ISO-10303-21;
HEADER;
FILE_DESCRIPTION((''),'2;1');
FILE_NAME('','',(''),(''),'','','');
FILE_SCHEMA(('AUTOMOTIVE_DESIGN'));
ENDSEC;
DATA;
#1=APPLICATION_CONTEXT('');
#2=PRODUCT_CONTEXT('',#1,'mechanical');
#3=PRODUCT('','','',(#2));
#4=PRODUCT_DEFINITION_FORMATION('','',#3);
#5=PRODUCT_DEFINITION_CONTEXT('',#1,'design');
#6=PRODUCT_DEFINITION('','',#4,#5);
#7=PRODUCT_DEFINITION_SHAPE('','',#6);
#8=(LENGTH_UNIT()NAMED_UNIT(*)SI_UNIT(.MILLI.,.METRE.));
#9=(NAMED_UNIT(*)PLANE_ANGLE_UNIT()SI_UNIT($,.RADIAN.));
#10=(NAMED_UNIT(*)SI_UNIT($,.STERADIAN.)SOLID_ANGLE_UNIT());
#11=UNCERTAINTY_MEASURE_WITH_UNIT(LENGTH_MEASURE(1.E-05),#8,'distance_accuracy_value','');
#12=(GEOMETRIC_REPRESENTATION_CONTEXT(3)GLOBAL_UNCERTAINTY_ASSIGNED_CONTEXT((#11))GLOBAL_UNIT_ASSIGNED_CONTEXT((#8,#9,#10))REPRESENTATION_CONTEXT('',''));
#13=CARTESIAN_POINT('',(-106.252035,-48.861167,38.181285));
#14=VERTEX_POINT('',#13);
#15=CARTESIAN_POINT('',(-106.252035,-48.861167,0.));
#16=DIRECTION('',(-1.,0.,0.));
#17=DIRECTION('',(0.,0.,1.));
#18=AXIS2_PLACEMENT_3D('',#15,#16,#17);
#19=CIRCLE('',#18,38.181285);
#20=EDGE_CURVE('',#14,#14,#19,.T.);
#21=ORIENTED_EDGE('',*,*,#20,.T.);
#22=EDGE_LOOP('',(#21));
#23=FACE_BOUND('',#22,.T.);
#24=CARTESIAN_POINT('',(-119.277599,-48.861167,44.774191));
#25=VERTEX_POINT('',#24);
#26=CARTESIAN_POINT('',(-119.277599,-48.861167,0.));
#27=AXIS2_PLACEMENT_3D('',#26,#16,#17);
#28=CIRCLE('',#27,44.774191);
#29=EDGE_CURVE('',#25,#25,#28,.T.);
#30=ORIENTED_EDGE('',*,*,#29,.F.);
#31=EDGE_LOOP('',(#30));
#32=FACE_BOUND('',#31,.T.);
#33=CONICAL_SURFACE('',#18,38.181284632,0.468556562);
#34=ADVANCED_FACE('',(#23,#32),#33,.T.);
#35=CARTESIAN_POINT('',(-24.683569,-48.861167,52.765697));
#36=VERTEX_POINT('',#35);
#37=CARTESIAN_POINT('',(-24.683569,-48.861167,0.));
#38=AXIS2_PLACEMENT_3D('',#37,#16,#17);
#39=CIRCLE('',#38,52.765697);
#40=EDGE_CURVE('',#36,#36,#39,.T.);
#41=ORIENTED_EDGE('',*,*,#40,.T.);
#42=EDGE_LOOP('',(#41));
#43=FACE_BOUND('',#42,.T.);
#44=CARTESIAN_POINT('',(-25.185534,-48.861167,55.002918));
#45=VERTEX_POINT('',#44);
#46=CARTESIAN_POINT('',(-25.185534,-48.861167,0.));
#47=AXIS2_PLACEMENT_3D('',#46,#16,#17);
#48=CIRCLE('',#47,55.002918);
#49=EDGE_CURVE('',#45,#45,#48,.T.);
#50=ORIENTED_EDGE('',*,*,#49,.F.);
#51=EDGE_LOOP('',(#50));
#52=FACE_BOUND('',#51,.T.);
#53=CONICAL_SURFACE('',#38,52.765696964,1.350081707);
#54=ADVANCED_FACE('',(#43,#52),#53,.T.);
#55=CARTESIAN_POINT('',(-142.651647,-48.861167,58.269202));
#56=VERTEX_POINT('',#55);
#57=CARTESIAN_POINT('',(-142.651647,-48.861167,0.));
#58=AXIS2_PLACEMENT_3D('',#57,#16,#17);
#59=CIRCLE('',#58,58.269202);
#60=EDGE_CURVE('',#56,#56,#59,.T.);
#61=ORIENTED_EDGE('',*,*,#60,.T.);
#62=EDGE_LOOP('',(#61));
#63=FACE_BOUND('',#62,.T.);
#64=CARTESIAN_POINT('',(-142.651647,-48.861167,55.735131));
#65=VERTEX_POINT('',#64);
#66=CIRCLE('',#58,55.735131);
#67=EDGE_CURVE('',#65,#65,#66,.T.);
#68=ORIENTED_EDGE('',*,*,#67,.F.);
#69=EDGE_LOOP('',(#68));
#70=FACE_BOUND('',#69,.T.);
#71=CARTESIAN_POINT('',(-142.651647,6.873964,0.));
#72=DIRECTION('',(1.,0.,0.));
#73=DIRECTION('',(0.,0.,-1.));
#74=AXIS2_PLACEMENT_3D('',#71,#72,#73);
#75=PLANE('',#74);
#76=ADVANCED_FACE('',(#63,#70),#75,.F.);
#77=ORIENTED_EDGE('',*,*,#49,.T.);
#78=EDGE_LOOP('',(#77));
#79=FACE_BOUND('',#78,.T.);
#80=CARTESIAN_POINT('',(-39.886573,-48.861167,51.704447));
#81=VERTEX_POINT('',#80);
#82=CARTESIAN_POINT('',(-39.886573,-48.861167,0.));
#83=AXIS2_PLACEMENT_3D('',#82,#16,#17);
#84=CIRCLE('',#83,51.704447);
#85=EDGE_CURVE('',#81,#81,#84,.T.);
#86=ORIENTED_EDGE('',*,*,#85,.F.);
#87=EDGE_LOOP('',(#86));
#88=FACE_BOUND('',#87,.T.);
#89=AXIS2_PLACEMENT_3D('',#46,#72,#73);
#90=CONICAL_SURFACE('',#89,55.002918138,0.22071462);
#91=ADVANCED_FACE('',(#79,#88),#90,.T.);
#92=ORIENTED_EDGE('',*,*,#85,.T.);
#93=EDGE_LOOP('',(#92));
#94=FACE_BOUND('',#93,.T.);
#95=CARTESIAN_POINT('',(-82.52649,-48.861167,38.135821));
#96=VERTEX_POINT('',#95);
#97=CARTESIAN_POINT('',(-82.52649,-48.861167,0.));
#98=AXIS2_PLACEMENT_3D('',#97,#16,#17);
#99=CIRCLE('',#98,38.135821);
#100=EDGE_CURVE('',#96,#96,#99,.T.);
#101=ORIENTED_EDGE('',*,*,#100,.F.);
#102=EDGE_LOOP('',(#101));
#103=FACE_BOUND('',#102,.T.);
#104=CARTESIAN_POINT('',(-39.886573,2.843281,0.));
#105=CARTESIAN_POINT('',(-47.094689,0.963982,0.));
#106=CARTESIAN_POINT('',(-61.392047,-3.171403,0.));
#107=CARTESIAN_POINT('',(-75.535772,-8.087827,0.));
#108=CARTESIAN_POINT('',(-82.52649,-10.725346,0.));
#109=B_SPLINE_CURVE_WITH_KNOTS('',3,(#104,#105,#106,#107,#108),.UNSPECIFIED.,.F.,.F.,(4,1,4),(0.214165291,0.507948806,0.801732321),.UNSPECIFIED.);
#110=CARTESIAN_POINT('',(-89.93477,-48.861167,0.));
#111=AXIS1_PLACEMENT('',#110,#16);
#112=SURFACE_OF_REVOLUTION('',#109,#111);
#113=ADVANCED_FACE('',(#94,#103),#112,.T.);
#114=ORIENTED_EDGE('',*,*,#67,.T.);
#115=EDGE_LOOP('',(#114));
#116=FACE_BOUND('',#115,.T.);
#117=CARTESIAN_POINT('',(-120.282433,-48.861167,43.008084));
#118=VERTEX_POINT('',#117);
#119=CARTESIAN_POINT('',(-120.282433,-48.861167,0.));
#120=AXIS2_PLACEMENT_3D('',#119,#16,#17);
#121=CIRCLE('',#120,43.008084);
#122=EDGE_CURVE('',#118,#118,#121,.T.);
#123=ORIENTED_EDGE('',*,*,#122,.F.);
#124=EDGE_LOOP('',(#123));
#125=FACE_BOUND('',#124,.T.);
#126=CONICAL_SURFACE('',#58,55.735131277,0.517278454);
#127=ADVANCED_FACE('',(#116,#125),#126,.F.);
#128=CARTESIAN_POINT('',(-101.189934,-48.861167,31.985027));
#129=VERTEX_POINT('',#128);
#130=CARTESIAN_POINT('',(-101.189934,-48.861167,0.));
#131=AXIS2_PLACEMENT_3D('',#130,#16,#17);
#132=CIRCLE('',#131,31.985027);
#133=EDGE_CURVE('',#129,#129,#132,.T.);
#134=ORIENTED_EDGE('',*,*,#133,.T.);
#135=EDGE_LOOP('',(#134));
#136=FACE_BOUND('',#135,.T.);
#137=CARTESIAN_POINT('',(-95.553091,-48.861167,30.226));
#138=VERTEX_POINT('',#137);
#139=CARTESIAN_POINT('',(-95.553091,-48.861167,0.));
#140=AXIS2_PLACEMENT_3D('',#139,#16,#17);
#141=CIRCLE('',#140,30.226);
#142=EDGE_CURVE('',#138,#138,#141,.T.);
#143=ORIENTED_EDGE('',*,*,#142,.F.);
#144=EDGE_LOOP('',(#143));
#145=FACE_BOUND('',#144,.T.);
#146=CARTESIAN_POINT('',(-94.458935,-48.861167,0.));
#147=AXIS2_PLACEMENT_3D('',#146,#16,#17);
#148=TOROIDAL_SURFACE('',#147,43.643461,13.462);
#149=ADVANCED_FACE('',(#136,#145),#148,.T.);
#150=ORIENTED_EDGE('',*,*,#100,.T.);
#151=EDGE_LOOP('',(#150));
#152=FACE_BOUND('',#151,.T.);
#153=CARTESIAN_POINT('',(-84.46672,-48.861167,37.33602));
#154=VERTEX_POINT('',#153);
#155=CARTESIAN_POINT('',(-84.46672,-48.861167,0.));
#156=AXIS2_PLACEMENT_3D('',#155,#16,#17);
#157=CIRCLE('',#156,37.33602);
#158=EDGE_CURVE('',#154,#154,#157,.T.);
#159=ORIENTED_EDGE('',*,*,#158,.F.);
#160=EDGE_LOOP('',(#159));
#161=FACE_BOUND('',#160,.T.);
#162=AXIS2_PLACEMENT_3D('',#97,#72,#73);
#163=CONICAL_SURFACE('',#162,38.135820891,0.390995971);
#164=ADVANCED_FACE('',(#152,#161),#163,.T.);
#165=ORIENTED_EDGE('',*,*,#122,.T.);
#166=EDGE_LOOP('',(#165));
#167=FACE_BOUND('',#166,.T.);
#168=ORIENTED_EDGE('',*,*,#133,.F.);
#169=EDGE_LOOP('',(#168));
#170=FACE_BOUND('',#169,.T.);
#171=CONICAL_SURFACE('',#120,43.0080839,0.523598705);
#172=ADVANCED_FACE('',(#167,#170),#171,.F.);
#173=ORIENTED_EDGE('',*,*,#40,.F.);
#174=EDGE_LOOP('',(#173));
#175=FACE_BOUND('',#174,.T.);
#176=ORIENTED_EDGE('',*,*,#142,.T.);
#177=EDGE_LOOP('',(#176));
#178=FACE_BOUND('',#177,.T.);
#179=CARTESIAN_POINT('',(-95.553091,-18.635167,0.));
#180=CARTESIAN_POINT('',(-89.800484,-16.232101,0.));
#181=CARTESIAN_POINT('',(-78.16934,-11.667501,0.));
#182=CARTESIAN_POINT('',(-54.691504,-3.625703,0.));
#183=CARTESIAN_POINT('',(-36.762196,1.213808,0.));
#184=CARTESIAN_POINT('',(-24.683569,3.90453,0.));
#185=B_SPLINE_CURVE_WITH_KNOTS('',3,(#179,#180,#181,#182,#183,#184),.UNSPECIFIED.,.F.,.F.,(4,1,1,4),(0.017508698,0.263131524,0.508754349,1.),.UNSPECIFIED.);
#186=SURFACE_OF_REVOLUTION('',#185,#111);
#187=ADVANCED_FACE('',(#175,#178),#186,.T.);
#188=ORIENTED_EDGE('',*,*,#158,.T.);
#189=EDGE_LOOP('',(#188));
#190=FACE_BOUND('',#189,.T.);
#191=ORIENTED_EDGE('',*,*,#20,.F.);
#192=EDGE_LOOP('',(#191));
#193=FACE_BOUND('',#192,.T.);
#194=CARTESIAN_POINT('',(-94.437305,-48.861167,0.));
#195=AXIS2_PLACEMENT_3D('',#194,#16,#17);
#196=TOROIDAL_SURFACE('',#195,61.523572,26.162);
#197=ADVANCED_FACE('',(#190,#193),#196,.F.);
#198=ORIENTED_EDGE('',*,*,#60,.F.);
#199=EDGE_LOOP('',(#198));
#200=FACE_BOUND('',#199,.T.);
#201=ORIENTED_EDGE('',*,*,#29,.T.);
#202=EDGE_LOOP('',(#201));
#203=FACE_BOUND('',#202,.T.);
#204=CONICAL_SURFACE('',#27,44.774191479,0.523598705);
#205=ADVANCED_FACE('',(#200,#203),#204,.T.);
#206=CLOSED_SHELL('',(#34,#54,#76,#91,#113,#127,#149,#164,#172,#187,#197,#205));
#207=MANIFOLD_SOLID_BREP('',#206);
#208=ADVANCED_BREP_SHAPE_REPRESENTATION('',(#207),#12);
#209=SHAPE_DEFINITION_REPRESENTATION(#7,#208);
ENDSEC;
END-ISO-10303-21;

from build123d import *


with BuildPart() as part:
    # Sketch1 → Revolve1 (revolve)
    with BuildSketch(Plane.XY):
        with BuildLine():
            Line((-120.282432541, -5.85308291), (-101.189934492, -16.876139995))
            ThreePointArc((-101.189934492, -16.876139995), (-98.469148075, -18.068527983), (-95.5530911, -18.63516681))
            add(Edge.make_bspline(
                [(-95.5530911, -18.63516681), (-89.800483576, -16.232100699), (-78.169339758, -11.667500611), (-54.691503651, -3.625702949), (-36.76219579, 1.213807703), (-24.683568515, 3.904530155)],
                knots=[0.017508698, 0.017508698, 0.017508698, 0.017508698, 0.263131524, 0.508754349, 1, 1, 1, 1], degree=3))
            Line((-24.683568515, 3.904530155), (-25.185533597, 6.141751328))
            Line((-25.185533597, 6.141751328), (-39.886573133, 2.843280613))
            add(Edge.make_bspline(
                [(-82.526490105, -10.725345919), (-75.535771876, -8.087826575), (-61.392047387, -3.171402737), (-47.094689271, 0.963982134), (-39.886573133, 2.843280613)],
                knots=[0.214165291, 0.214165291, 0.214165291, 0.214165291, 0.507948806, 0.801732321, 0.801732321, 0.801732321, 0.801732321], degree=3))
            Line((-82.526490105, -10.725345919), (-84.466720187, -11.525146883))
            ThreePointArc((-84.466720187, -11.525146883), (-95.45162035, -13.479924278), (-106.252034716, -10.679882178))
            Line((-106.252034716, -10.679882178), (-119.277599097, -4.086975331))
            Line((-119.277599097, -4.086975331), (-142.651647032, 9.408035329))
            Line((-142.651647032, 9.408035329), (-142.651647032, 6.873964468))
            Line((-142.651647032, 6.873964468), (-120.282432541, -5.85308291))
        make_face()
    revolve(axis=Axis((-89.93477047, -48.86116681, 0), (1, 0, 0)))


solid = part.part
